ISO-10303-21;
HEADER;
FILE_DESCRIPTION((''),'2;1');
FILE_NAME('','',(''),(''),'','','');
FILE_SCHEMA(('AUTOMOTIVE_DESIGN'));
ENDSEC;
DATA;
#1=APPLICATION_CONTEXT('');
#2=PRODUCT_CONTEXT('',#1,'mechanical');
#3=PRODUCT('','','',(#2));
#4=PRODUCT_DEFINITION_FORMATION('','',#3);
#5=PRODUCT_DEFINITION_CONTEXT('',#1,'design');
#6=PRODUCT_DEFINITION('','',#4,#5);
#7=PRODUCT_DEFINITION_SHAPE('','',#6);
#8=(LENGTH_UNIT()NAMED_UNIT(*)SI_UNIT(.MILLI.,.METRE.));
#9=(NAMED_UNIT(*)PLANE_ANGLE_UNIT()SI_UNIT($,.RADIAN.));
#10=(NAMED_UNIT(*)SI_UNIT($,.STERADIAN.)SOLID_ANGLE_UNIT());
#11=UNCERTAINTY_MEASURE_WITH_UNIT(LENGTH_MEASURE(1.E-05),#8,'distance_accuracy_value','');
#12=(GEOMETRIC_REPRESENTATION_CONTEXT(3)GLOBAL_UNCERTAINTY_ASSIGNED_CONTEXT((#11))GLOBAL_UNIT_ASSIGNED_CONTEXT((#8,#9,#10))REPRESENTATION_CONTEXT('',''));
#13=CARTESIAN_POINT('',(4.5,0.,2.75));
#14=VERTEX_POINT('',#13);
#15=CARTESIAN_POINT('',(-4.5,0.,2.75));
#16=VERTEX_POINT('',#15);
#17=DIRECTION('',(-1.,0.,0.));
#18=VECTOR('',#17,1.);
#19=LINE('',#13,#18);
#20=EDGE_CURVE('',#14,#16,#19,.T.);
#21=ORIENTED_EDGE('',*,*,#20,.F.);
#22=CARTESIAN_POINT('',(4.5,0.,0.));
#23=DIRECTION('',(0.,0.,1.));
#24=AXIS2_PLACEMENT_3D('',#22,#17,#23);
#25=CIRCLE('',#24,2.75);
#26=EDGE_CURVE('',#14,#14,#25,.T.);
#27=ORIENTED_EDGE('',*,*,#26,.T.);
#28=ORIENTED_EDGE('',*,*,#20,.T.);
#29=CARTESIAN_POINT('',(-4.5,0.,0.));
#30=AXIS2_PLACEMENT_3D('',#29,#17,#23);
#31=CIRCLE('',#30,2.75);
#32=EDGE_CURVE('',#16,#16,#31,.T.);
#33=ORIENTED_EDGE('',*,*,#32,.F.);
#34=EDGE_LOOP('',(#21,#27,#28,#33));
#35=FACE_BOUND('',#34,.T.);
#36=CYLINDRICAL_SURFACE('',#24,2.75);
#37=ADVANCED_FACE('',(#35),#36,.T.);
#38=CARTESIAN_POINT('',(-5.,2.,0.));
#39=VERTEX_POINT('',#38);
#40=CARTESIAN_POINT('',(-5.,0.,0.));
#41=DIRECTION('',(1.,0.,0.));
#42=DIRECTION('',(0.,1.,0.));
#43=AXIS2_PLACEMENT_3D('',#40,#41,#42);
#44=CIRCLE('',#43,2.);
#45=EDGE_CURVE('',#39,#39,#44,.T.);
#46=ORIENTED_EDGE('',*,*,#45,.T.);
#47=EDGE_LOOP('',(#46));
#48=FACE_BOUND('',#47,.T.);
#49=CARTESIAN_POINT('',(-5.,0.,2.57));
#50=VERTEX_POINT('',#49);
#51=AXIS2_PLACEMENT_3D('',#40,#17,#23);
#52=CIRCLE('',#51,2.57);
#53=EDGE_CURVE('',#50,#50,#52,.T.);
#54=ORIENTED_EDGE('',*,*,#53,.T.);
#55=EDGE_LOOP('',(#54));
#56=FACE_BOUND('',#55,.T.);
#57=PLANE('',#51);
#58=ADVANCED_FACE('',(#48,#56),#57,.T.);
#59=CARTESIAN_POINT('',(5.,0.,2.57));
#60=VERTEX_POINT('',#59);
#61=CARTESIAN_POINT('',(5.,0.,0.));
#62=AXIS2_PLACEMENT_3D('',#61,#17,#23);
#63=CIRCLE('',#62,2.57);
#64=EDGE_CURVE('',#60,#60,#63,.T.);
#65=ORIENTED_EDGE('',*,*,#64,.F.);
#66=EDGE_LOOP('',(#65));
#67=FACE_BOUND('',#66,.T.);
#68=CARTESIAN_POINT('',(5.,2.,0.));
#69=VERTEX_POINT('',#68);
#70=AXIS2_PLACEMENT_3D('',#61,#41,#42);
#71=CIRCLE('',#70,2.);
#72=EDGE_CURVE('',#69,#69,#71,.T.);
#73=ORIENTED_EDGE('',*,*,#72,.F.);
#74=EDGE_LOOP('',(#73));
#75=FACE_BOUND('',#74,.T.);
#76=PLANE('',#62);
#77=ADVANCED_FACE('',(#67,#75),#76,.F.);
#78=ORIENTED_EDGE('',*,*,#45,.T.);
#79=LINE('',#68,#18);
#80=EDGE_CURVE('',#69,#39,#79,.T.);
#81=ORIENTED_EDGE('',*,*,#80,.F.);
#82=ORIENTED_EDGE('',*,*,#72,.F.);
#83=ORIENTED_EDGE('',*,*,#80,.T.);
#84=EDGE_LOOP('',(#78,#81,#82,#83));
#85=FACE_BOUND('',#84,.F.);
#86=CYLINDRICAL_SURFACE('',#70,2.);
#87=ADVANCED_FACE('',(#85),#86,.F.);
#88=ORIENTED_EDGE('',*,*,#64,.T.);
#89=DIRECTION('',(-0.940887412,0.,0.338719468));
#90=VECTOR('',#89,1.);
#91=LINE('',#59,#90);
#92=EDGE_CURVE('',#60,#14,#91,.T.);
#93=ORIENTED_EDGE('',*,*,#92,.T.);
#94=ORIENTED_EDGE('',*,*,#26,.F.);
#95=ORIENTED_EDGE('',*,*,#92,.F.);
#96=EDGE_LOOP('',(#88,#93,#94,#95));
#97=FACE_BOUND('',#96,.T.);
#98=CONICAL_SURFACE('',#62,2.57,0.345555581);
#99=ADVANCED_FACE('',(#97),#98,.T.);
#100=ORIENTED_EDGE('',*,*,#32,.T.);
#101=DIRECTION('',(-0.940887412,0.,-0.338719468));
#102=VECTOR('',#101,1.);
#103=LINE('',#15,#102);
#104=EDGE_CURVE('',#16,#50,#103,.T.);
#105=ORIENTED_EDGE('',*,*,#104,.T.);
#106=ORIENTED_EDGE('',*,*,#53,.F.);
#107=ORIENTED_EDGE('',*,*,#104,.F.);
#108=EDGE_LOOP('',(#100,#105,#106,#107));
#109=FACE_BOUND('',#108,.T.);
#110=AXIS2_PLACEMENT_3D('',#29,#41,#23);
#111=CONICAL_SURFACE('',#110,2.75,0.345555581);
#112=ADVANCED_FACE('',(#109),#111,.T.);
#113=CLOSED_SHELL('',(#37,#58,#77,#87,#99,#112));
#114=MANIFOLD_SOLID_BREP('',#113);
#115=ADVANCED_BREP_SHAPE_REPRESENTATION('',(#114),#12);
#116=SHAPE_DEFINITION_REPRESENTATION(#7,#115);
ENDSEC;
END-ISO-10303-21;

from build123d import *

# Parameters (mm, degrees)
F2_R     = 2
F3_DEPTH = 10


with BuildPart() as f1:
    # F0 (on Front) → F1 (revolve)
    with BuildSketch(Plane.XZ):
        Polygon((-5, 2.57), (-5, 0), (0, 0), (5, 0), (5, 2.57), (4.5, 2.75), (-4.5, 2.75), align=None)
    revolve(axis=Axis((-2.5, 0, 0), (-1, 0, 0)))

    # F2 (on face) → F3 (cut, through all)
    with BuildSketch(Plane.YZ.offset(5)):
        Circle(F2_R)
    extrude(amount=-F3_DEPTH, mode=Mode.SUBTRACT)


solid = f1.part
